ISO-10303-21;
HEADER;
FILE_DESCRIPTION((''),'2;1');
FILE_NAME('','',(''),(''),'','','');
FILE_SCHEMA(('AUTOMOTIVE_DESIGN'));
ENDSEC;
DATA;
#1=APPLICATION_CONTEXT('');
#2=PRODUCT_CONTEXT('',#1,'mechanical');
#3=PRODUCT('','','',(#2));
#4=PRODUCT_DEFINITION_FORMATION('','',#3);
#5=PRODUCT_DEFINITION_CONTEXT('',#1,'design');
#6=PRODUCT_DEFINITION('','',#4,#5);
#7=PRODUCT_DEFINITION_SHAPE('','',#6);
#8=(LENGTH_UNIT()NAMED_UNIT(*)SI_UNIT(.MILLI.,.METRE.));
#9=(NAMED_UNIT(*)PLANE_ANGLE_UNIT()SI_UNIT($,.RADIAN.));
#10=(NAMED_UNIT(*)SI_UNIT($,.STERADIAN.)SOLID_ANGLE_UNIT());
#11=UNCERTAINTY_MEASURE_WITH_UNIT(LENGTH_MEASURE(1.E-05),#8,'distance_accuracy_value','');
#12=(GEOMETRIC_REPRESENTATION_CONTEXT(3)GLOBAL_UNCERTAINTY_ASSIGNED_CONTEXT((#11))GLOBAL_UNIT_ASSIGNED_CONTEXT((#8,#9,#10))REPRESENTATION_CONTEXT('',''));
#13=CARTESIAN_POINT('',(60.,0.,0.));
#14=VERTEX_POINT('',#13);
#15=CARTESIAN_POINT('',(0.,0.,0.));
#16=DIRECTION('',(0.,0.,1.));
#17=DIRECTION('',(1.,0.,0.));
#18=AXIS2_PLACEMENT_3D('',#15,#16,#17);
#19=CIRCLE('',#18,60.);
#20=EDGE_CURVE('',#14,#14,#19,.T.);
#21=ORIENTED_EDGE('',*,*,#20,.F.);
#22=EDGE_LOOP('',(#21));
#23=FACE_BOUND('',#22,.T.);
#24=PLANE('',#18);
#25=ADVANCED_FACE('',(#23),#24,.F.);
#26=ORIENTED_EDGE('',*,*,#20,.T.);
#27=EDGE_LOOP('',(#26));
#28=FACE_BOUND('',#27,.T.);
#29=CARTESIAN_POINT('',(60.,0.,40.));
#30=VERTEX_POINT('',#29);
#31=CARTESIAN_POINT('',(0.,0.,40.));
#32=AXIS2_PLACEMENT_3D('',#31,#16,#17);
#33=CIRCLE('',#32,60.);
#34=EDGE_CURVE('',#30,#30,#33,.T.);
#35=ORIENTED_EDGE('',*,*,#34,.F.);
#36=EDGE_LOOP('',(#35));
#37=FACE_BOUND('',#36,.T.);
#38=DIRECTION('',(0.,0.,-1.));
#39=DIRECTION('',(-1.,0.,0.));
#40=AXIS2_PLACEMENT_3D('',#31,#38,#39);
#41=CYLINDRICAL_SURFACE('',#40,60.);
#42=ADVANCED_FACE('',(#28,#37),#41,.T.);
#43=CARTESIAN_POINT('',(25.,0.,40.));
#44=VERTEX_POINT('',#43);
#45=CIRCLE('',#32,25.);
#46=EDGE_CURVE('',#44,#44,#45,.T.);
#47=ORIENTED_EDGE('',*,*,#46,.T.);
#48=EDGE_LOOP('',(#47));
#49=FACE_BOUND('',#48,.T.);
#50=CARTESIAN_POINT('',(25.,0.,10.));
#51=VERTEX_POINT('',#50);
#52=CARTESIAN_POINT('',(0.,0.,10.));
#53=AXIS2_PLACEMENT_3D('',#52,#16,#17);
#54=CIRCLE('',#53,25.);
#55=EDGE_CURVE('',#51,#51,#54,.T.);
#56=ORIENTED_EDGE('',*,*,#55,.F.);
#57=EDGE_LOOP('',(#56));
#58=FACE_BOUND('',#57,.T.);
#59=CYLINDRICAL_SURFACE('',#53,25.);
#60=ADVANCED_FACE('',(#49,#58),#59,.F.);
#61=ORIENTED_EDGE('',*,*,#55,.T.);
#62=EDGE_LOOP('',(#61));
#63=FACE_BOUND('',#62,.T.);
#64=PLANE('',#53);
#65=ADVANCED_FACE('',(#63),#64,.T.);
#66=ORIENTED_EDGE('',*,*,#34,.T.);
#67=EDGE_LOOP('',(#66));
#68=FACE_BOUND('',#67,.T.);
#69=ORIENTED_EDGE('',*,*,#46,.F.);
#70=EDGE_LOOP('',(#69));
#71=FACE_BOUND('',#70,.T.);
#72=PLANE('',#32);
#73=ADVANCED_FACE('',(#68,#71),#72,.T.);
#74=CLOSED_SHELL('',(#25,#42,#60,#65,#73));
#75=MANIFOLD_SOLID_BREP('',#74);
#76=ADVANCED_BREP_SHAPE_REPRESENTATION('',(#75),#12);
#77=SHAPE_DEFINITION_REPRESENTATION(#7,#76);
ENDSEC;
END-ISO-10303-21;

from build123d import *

# Parameters (mm, degrees)
SKIZZE1_R                       = 60
AUFSATZ_LINEAR_AUSTRAGEN1_DEPTH = 40
SKIZZE2_R                       = 25
SCHNITT_LINEAR_AUSTRAGEN1_DEPTH = 30


with BuildPart() as part:
    # Skizze1 → Aufsatz-Linear austragen1 (new body)
    with BuildSketch(Plane.XY):
        Circle(SKIZZE1_R)
    extrude(amount=AUFSATZ_LINEAR_AUSTRAGEN1_DEPTH)

    # Skizze2 → Schnitt-Linear austragen1 (cut)
    with BuildSketch(Plane.XY.offset(40)):
        Circle(SKIZZE2_R)
    extrude(amount=-SCHNITT_LINEAR_AUSTRAGEN1_DEPTH, mode=Mode.SUBTRACT)


solid = part.part
